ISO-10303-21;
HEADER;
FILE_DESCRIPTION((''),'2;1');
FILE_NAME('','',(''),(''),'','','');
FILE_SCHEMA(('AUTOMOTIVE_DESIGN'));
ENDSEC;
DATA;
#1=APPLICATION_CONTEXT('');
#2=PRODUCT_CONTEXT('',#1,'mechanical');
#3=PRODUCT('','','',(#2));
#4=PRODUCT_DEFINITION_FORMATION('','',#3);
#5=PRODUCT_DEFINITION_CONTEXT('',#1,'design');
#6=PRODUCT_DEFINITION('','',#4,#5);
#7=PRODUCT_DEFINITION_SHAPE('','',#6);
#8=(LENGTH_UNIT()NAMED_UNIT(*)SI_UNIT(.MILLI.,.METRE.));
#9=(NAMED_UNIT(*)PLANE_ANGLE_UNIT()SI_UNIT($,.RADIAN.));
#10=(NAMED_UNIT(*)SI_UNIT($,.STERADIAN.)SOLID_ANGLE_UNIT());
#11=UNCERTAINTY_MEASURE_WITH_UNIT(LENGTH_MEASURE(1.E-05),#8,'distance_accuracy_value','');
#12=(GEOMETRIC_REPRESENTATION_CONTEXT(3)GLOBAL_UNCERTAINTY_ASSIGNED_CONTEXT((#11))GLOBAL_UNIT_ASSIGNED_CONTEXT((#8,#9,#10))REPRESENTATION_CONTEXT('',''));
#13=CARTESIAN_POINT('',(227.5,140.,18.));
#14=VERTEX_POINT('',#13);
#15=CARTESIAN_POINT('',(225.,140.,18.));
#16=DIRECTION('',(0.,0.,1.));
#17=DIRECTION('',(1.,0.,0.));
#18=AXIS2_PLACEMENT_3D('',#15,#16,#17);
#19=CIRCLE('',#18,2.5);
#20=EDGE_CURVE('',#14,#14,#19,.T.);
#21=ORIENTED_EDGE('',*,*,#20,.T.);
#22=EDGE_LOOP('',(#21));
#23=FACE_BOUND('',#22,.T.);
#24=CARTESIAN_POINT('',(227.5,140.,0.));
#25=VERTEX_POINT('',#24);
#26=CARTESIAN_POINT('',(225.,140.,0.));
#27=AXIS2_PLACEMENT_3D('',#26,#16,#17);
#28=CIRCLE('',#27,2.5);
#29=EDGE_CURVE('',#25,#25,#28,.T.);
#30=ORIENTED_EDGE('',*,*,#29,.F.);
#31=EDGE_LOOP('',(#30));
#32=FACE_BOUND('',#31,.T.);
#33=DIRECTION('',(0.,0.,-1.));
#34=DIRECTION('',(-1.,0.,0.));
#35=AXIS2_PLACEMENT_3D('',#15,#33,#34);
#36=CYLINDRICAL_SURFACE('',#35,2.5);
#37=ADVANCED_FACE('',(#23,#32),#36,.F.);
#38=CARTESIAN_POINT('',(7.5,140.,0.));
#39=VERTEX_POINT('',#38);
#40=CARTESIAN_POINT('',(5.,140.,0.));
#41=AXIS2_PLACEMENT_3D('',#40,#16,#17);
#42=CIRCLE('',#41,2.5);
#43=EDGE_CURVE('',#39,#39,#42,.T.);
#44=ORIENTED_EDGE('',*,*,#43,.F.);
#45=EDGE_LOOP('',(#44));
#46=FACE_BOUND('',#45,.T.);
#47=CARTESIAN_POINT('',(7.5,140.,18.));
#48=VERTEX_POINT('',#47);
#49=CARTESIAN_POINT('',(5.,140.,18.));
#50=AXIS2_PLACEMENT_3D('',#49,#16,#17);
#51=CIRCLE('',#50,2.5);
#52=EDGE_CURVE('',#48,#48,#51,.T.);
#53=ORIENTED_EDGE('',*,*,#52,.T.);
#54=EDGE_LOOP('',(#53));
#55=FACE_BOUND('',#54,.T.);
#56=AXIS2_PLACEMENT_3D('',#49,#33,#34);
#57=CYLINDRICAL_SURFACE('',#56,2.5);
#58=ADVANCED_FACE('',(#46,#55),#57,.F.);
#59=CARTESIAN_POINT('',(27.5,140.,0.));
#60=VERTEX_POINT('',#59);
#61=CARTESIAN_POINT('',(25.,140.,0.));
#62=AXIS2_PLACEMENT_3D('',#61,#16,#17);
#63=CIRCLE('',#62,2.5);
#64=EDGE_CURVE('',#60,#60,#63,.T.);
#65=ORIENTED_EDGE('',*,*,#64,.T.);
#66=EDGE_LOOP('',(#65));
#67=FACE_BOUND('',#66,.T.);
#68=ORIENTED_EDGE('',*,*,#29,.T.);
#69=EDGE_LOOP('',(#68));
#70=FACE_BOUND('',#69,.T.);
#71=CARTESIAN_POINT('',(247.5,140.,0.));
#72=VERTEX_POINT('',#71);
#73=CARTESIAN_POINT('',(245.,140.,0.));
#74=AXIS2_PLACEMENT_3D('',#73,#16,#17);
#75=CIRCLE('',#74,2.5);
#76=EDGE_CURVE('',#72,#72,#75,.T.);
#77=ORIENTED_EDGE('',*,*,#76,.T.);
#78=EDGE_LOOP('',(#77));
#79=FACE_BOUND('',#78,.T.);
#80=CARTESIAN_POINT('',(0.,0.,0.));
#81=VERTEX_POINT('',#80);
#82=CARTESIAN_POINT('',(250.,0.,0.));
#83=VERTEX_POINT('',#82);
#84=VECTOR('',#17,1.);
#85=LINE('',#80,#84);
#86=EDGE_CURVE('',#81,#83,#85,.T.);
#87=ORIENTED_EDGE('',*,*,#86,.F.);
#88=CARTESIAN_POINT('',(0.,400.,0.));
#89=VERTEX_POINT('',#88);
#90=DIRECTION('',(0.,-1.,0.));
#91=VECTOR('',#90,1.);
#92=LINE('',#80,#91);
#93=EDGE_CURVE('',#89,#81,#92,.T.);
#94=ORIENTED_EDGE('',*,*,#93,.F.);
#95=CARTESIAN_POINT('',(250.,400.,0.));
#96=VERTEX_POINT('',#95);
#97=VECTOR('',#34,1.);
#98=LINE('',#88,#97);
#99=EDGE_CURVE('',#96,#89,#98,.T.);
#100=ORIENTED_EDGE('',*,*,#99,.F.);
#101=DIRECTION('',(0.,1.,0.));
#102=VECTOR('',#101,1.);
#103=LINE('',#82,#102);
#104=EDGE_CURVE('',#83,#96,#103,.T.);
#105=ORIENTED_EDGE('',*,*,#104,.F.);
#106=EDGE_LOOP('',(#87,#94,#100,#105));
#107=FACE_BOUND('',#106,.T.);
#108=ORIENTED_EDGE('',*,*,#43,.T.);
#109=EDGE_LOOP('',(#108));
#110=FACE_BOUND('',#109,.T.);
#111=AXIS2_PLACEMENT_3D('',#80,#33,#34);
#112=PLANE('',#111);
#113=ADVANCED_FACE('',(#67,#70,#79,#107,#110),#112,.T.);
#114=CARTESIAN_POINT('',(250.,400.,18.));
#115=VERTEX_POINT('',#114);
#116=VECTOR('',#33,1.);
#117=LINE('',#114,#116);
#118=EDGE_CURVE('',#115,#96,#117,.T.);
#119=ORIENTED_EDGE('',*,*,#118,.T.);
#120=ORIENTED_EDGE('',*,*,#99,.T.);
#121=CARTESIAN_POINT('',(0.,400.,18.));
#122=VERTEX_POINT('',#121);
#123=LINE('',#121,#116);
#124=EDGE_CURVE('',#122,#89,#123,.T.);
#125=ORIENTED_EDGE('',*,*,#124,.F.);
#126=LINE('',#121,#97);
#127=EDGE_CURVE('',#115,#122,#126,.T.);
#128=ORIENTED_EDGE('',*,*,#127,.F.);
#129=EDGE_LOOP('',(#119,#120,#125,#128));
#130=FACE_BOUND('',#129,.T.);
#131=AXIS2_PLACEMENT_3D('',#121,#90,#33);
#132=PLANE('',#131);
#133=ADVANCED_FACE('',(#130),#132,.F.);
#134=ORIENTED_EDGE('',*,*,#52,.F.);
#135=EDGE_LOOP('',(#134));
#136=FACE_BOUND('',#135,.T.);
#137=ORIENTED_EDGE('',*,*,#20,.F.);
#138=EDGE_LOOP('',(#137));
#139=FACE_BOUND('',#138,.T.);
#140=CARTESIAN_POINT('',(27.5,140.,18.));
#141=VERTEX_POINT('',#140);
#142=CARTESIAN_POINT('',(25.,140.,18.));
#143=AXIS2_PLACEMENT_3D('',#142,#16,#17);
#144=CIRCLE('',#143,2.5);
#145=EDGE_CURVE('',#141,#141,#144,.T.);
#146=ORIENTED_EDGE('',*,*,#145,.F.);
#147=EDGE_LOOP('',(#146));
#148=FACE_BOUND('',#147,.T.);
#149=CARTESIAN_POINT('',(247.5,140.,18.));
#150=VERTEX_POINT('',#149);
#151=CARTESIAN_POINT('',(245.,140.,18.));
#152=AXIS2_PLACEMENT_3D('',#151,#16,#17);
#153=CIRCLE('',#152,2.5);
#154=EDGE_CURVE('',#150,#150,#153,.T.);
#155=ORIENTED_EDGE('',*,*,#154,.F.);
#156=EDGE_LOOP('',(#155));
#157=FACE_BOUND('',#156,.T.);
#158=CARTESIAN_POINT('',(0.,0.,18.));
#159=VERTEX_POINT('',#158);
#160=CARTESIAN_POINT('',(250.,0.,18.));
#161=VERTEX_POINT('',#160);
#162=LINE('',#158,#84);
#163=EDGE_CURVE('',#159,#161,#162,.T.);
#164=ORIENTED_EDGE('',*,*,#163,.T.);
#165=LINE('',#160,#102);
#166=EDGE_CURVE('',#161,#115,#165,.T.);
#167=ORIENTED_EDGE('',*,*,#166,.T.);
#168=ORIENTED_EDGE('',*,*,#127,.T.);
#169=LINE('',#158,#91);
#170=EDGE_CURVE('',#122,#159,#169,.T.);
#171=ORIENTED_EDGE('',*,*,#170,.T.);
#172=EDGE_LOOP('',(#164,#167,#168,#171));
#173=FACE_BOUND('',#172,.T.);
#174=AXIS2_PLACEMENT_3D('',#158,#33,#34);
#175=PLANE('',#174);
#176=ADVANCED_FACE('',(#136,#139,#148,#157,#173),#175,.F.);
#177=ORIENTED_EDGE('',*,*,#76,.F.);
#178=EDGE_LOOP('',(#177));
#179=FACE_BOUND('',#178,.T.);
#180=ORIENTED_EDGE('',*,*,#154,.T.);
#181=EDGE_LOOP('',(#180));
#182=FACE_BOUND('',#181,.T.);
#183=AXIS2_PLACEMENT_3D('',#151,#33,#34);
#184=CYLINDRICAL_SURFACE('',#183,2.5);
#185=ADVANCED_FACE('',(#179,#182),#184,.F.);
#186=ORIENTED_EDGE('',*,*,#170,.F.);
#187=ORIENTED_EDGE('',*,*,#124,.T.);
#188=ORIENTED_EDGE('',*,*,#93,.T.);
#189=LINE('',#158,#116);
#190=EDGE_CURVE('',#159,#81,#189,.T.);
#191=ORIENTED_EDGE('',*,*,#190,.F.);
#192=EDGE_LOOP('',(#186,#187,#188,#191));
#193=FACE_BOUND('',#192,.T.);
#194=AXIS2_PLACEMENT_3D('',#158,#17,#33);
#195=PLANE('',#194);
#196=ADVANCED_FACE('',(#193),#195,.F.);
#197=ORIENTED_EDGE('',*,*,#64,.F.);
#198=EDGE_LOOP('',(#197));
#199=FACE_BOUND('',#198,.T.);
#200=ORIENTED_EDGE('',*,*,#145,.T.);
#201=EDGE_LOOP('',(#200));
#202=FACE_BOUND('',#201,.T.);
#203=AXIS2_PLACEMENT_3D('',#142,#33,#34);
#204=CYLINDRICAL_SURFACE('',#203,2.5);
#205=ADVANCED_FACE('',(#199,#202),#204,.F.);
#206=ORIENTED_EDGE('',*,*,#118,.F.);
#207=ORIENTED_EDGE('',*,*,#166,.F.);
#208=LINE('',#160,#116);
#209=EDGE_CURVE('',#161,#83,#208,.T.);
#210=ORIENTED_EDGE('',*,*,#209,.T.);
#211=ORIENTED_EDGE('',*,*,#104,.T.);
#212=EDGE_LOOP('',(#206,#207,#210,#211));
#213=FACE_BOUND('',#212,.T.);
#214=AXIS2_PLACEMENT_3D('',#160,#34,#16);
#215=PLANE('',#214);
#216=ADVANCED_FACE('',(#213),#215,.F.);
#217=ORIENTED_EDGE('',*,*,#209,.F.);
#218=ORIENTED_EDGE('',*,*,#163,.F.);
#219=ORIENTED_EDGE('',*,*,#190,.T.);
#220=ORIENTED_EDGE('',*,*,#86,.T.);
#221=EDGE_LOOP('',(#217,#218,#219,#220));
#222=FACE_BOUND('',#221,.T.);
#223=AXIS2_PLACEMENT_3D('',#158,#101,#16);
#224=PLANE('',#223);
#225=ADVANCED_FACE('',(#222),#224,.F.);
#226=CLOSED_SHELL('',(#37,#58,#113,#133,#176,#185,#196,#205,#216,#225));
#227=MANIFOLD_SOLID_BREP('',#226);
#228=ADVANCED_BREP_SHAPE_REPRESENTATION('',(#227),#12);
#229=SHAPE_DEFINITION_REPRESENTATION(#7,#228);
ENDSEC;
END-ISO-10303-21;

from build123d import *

# Parameters (mm, degrees)
ESQUISSE1_W        = 250
ESQUISSE1_H        = 400
ESQUISSE1_R        = 2.5
BOSS_EXTRU_1_DEPTH = 18


with BuildPart() as part:
    # Esquisse1 → Boss.-Extru.1 (new body)
    with BuildSketch(Plane.XY):
        with Locations((125, 200)):
            Rectangle(ESQUISSE1_W, ESQUISSE1_H)
        with Locations((245, 140)):
            Circle(ESQUISSE1_R, mode=Mode.SUBTRACT)
        with Locations((225, 140)):
            Circle(ESQUISSE1_R, mode=Mode.SUBTRACT)
        with Locations((5, 140)):
            Circle(ESQUISSE1_R, mode=Mode.SUBTRACT)
        with Locations((25, 140)):
            Circle(ESQUISSE1_R, mode=Mode.SUBTRACT)
    extrude(amount=BOSS_EXTRU_1_DEPTH)


solid = part.part
